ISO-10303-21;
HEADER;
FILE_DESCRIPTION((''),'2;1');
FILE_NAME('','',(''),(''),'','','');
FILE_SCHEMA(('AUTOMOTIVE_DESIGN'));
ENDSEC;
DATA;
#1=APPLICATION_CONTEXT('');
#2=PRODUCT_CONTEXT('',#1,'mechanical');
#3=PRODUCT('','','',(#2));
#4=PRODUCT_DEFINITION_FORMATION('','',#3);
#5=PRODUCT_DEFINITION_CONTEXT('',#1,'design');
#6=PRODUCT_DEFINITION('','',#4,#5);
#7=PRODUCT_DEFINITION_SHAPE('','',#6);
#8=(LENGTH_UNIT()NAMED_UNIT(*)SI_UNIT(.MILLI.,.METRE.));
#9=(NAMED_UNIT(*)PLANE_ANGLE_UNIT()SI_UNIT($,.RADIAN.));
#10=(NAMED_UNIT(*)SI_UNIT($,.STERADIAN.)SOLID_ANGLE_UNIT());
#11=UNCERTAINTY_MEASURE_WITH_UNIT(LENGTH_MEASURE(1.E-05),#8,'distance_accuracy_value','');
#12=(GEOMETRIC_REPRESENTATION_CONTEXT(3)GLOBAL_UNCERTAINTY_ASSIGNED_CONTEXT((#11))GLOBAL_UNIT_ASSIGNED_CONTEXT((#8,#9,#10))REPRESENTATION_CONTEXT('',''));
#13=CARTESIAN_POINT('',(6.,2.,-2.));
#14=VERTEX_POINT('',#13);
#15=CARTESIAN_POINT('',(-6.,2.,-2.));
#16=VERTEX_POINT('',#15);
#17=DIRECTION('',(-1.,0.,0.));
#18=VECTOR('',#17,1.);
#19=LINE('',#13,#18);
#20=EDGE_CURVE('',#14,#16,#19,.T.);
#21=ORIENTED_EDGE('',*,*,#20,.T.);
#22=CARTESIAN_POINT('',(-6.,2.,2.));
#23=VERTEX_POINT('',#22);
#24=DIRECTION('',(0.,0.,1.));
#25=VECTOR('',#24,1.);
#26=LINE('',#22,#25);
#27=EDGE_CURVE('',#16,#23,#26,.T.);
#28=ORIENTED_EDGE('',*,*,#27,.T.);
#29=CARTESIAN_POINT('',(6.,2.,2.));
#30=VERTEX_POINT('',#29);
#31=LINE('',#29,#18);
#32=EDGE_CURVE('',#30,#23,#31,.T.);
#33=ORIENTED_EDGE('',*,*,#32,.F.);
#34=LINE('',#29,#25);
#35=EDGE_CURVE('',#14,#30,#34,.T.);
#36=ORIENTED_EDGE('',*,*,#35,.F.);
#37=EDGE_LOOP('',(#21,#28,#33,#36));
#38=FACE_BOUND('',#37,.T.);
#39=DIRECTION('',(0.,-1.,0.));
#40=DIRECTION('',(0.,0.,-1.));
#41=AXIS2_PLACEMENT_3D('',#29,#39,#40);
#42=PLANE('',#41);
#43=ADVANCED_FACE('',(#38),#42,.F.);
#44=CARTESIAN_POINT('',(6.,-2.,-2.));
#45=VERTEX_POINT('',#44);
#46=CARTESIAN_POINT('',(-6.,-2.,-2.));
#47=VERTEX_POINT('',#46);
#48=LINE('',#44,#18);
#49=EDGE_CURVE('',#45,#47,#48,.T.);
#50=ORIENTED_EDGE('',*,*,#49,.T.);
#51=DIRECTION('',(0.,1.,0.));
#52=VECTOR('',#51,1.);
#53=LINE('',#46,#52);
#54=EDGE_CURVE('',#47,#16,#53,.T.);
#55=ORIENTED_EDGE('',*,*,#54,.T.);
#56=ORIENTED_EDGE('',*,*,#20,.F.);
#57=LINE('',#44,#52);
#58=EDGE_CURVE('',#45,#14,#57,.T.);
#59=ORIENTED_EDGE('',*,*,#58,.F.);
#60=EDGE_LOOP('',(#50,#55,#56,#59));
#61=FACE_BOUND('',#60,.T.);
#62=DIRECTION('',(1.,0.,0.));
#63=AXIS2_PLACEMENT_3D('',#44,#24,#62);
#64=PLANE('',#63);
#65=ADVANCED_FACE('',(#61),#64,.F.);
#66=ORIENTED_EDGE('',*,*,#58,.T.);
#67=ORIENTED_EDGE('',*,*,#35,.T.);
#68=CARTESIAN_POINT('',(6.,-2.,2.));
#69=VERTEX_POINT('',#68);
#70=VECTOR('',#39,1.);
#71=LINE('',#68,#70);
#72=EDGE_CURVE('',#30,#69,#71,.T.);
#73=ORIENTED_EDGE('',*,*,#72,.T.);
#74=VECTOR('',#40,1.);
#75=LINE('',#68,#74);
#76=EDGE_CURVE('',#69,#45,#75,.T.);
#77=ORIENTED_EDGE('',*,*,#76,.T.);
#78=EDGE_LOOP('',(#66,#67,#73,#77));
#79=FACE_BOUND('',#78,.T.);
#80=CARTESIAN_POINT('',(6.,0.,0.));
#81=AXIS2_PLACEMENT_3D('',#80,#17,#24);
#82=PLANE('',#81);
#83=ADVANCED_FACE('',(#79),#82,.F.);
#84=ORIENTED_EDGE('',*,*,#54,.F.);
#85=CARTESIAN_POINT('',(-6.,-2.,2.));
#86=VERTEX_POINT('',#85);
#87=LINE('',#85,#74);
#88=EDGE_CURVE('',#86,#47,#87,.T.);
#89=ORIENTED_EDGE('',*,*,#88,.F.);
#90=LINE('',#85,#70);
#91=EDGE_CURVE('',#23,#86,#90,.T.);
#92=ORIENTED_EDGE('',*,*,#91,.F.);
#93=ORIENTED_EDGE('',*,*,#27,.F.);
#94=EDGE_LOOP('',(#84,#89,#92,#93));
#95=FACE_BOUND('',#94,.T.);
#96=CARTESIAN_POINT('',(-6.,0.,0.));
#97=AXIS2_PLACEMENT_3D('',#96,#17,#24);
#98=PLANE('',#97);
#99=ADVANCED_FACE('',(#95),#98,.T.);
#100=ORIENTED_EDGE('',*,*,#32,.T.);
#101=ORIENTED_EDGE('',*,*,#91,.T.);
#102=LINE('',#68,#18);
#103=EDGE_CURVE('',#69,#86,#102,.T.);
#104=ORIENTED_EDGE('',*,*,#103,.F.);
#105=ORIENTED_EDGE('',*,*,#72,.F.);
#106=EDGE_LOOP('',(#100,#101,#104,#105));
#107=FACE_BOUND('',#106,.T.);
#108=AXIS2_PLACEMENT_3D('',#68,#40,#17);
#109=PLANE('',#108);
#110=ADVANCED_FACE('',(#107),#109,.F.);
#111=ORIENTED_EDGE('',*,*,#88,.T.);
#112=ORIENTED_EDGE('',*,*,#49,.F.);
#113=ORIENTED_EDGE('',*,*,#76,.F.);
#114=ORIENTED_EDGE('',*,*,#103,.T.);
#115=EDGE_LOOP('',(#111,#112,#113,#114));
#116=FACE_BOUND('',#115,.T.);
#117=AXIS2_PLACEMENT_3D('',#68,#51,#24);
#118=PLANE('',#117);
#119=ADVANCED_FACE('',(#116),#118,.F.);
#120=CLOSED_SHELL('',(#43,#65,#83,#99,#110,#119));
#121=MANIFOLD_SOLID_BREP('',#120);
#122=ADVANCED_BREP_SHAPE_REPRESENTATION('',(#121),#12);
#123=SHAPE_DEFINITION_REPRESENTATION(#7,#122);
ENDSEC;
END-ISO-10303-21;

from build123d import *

# Parameters (mm, degrees)
SKETCH1_W           = 4
SKETCH1_H           = 4
BOSS_EXTRUDE1_DEPTH = 6


with BuildPart() as part:
    # Sketch1 → Boss-Extrude1 (new, symmetric)
    with BuildSketch(Plane(origin=(0, 0, 0), x_dir=(0, 0, -1), z_dir=(1, 0, 0))):
        Rectangle(SKETCH1_W, SKETCH1_H)
    extrude(amount=BOSS_EXTRUDE1_DEPTH, both=True)


solid = part.part
